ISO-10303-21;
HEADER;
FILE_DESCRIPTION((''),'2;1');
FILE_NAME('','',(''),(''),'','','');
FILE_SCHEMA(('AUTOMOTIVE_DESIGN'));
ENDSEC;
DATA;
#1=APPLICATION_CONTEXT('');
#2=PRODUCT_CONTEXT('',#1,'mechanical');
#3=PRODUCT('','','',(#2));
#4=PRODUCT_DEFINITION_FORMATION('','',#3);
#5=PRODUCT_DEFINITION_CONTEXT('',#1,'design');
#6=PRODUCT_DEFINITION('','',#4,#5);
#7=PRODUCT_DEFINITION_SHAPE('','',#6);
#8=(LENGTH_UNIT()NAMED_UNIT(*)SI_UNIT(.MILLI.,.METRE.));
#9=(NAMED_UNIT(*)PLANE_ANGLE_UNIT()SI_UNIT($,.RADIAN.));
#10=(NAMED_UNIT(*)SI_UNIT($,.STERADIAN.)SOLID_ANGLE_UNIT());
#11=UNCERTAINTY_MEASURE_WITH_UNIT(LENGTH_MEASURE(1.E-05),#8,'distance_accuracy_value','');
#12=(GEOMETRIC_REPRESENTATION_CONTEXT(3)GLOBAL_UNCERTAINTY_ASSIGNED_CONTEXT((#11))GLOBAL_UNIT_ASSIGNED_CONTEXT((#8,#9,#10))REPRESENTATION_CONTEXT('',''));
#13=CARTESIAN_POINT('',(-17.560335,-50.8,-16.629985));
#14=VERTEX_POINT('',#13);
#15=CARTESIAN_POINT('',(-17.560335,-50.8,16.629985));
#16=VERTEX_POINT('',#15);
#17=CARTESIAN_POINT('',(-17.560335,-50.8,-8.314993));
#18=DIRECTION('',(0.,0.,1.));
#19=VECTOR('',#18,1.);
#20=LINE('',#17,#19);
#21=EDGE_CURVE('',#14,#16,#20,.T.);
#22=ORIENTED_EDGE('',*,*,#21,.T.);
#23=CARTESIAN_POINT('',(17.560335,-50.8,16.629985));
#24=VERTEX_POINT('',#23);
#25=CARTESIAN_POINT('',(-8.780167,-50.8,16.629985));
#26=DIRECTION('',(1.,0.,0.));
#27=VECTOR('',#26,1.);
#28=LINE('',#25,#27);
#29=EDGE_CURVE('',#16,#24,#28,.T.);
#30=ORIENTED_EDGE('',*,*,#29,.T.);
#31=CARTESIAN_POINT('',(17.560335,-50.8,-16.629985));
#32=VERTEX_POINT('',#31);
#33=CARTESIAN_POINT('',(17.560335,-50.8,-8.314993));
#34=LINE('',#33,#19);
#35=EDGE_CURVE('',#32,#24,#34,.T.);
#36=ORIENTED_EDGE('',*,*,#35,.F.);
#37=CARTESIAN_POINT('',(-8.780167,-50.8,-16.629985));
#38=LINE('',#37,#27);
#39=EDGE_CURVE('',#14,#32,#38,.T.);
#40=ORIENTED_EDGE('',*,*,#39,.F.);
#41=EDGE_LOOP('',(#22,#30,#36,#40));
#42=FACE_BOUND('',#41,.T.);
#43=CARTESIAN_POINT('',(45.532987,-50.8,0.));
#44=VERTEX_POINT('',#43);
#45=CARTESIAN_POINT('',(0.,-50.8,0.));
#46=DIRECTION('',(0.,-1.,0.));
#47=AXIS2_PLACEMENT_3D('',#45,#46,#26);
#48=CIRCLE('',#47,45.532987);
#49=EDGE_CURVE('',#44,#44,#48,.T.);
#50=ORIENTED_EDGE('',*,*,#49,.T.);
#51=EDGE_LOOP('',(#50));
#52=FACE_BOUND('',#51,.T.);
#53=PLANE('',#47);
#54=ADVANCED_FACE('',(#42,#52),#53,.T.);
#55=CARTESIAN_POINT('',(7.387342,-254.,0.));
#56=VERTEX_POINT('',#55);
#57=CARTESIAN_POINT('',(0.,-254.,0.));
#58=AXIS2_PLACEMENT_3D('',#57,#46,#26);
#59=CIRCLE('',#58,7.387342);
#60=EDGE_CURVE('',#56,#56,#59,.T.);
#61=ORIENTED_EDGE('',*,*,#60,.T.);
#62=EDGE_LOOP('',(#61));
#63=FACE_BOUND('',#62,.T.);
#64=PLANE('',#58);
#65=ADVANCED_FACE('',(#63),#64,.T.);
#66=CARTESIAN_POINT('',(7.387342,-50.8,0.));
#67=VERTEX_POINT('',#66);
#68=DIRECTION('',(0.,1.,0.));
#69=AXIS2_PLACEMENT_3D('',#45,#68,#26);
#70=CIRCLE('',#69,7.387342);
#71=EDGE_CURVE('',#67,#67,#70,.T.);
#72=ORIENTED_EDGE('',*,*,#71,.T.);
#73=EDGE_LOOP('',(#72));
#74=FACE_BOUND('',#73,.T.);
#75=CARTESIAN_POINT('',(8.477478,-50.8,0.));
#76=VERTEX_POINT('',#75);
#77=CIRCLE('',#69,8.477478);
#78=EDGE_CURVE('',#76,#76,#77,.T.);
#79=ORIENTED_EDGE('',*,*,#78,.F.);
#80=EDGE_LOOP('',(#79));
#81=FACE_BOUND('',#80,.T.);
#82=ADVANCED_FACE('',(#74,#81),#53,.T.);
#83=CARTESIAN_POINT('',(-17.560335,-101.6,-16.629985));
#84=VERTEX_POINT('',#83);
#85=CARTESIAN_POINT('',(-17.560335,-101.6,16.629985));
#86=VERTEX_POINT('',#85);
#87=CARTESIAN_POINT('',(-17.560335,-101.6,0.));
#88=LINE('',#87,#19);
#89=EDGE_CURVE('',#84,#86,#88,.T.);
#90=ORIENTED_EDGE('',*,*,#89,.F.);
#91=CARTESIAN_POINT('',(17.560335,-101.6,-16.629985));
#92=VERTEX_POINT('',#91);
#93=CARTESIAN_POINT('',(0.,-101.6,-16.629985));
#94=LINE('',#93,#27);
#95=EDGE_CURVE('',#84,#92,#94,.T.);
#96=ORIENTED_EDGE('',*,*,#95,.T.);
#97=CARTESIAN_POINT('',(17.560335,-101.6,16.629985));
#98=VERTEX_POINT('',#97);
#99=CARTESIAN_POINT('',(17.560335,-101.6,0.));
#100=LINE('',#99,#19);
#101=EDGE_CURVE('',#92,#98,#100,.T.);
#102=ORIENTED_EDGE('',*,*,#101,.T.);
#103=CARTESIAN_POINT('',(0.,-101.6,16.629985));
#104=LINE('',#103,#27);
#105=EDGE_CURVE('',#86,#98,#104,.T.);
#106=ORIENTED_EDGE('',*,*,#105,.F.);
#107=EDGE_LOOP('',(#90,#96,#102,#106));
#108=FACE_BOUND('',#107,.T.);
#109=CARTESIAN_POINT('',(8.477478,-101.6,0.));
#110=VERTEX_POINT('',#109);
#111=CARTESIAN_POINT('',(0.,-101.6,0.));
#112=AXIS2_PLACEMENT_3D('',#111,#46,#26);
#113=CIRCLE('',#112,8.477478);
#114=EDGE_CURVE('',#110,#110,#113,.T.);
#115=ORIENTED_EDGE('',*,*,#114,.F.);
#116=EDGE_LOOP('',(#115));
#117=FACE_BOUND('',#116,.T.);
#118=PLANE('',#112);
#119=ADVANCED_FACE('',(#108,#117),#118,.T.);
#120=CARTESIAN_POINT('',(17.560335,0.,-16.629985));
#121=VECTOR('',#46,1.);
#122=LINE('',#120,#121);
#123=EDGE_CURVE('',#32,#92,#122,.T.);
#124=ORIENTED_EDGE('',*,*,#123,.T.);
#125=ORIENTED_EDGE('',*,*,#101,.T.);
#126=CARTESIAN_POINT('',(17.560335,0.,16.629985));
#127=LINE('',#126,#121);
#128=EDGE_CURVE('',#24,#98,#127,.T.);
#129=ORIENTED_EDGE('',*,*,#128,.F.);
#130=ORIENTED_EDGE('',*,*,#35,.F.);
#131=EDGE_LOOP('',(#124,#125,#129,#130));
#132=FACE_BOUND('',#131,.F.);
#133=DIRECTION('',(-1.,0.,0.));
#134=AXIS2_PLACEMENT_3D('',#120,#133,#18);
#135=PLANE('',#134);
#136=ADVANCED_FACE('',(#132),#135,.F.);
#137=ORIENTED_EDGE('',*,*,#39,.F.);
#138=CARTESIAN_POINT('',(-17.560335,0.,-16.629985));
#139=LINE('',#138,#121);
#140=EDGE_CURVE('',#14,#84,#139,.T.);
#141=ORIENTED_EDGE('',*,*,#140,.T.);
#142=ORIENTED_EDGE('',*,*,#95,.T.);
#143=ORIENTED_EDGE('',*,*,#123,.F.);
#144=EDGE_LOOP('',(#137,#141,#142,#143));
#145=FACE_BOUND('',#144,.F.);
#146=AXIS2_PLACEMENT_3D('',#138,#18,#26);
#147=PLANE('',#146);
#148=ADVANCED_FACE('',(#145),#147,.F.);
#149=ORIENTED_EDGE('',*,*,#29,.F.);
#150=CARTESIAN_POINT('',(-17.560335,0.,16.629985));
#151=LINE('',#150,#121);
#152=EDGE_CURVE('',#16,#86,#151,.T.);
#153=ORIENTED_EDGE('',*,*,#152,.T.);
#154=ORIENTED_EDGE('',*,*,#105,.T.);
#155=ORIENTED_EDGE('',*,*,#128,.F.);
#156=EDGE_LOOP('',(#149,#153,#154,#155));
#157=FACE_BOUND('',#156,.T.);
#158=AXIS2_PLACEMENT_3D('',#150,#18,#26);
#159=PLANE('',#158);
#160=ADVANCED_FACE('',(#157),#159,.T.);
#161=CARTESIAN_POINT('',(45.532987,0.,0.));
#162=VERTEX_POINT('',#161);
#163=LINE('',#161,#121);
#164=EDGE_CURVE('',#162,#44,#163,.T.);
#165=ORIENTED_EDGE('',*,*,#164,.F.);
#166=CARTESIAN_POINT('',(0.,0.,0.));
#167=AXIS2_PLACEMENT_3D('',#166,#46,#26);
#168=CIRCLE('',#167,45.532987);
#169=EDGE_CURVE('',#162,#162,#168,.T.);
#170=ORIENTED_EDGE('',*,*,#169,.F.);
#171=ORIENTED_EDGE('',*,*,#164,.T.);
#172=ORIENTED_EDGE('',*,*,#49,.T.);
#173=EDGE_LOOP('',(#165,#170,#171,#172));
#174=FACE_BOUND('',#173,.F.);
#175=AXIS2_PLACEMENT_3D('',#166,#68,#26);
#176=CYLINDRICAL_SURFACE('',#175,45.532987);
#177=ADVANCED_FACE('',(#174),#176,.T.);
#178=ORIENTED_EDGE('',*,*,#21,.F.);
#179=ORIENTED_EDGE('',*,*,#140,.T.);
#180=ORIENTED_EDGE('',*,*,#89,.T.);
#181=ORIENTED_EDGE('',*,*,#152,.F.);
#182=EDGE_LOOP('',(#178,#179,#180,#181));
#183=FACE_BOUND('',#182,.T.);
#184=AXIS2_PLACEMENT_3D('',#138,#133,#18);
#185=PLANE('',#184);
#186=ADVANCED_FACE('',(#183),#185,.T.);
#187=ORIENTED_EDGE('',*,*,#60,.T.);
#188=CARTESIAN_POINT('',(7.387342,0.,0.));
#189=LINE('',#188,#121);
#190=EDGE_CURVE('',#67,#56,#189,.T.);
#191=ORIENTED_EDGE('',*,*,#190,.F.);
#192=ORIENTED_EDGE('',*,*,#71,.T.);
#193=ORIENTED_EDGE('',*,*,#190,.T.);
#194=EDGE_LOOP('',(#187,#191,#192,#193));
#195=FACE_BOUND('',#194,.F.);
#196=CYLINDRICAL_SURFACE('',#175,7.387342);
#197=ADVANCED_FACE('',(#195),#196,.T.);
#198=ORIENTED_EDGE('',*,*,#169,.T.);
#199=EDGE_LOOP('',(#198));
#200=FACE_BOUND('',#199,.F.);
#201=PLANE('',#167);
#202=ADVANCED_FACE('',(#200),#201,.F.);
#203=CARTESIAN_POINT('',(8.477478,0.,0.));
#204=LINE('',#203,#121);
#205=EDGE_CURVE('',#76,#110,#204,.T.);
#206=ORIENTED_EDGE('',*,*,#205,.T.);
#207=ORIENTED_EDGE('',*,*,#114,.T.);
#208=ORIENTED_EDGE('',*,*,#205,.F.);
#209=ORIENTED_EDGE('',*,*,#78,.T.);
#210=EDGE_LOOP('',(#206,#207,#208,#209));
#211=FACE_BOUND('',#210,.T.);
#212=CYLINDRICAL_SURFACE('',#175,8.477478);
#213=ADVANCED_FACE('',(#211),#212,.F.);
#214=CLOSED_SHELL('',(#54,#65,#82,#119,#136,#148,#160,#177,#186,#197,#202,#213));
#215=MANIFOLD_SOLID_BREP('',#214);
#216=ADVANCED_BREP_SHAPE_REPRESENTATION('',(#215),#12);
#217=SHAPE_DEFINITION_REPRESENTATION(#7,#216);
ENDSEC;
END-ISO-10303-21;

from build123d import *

# Parameters (mm, degrees)
F0_W     = 35.12067
F0_H     = 33.25997
F0_R     = 8.477478
F1_DEPTH = 101.6
F2_R     = 45.532987
F3_DEPTH = 50.8
F4_R     = 7.387342
F5_DEPTH = 254


with BuildPart() as f1:
    # F0 (on Front) → F1 (new body)
    with BuildSketch(Plane.XZ):
        Rectangle(F0_W, F0_H)
        Circle(F0_R, mode=Mode.SUBTRACT)
    extrude(amount=F1_DEPTH)

    # F2 (on Front) → F3 (join)
    with BuildSketch(Plane.XZ):
        Circle(F2_R)
    extrude(amount=F3_DEPTH)

    # F4 (on Front) → F5 (join)
    with BuildSketch(Plane.XZ):
        Circle(F4_R)
    extrude(amount=F5_DEPTH)


solid = f1.part
